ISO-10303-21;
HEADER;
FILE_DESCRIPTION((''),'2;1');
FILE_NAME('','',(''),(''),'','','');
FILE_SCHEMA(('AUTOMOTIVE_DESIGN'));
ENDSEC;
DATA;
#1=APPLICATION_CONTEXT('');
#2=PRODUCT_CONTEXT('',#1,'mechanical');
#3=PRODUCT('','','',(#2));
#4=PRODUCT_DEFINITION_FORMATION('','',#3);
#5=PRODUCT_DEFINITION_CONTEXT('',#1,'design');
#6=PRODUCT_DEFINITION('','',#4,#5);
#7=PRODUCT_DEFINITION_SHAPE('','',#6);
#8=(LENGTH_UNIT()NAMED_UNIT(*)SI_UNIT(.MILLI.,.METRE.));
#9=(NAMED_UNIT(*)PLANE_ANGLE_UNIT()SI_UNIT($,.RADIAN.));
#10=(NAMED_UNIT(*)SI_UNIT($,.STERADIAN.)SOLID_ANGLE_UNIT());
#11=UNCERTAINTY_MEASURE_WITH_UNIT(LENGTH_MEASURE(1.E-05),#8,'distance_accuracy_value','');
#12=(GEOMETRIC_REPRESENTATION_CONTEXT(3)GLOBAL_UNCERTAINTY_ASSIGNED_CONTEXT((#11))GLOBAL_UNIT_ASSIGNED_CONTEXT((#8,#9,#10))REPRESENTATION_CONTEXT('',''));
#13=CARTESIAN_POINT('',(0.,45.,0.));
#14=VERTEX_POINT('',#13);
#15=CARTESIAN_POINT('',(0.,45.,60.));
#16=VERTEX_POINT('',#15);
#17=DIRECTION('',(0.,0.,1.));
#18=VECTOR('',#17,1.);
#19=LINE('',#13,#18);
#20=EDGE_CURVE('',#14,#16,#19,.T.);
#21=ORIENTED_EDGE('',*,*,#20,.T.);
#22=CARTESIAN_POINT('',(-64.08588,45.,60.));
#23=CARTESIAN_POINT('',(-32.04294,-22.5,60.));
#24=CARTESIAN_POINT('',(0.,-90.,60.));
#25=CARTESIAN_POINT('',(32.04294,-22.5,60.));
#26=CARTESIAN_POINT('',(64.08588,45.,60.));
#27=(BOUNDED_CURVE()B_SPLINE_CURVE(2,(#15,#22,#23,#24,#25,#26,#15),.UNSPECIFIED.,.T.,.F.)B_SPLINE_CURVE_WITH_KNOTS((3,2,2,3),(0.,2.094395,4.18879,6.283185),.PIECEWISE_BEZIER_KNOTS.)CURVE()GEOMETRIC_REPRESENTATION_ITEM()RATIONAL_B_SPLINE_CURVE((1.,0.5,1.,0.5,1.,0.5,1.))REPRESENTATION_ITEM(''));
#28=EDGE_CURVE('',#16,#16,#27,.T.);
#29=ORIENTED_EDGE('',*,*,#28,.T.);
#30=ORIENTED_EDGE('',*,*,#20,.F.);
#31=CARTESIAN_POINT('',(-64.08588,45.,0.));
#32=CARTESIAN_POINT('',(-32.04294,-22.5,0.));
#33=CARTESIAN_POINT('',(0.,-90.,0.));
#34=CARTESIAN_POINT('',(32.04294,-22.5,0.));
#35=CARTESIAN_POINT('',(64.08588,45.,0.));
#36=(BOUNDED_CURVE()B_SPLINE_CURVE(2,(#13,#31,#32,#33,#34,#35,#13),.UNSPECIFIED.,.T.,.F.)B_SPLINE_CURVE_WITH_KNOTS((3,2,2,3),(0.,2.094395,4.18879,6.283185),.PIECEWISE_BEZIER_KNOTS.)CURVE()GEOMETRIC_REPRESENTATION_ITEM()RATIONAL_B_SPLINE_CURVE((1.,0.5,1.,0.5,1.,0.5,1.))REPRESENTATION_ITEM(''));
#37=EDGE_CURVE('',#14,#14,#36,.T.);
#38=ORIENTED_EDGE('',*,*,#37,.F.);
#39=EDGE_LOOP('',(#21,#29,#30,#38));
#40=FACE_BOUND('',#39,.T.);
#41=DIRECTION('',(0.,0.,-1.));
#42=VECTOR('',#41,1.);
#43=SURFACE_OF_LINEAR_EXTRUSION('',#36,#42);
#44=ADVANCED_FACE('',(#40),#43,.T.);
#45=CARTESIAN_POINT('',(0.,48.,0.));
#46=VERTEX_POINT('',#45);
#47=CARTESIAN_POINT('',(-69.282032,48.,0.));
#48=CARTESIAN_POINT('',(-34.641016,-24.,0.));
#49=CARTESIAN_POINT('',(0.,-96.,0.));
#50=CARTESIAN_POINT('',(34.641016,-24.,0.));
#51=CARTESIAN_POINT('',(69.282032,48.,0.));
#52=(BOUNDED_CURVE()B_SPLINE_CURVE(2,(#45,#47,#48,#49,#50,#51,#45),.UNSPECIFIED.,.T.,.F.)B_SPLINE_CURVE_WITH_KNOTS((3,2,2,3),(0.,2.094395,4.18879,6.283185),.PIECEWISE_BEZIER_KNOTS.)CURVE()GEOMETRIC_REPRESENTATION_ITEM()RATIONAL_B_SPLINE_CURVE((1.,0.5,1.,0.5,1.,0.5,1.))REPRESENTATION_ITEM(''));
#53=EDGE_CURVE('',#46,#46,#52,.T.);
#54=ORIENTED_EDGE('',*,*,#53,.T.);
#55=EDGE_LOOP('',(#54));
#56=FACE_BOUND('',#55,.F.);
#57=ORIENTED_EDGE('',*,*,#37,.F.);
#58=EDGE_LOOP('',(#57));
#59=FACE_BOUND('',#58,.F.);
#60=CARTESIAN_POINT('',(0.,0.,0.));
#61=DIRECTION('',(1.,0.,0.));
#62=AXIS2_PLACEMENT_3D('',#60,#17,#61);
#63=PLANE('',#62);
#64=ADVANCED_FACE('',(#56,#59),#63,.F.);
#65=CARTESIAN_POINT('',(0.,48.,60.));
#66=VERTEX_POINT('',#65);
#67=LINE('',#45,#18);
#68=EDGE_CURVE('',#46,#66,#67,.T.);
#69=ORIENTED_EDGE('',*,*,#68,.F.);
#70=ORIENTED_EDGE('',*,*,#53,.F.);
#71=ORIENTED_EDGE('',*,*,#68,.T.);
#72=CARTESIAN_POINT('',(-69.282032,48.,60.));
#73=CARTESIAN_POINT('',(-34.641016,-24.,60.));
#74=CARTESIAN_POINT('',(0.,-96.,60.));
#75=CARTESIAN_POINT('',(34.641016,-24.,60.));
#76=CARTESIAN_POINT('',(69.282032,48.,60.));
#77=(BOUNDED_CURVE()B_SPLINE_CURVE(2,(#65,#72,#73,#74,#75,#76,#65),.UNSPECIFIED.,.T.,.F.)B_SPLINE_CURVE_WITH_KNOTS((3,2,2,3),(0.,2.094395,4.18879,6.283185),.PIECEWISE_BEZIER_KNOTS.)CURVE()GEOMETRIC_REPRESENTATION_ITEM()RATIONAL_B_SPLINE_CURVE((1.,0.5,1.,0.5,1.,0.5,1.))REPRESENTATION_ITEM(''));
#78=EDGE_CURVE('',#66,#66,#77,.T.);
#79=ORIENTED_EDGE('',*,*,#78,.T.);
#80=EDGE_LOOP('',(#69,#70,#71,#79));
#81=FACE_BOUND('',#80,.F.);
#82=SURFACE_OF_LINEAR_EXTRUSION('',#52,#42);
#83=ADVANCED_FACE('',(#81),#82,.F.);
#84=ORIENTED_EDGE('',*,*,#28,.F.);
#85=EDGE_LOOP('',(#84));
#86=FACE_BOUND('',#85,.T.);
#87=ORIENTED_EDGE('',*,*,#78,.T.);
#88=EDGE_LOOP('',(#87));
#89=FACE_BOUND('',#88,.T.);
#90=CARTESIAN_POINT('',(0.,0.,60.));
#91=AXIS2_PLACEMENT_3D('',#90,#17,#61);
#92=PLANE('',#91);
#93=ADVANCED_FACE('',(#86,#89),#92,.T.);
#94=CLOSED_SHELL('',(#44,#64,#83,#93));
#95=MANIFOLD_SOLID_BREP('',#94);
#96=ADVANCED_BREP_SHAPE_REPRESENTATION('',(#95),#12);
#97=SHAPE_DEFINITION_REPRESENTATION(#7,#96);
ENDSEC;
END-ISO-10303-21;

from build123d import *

# Parameters (mm, degrees)
PAD_DEPTH = 60


with BuildPart() as part:
    # Sketch → Pad (new body)
    with BuildSketch(Plane.XY):
        with BuildLine():
            add(Edge.make_bspline(
                [(0, 48), (-69.282032, 48), (-34.641016, -24), (0, -96), (34.641016, -24), (69.282032, 48), (0, 48)],
                knots=[0, 0, 0, 2.094395, 2.094395, 4.18879, 4.18879, 6.283185, 6.283185, 6.283185], degree=2, weights=[1, 0.5, 1, 0.5, 1, 0.5, 1]))
        make_face()
        with BuildLine():
            add(Edge.make_bspline(
                [(0, 45), (-64.08588, 45), (-32.04294, -22.5), (0, -90), (32.04294, -22.5), (64.08588, 45), (0, 45)],
                knots=[0, 0, 0, 2.094395, 2.094395, 4.18879, 4.18879, 6.283185, 6.283185, 6.283185], degree=2, weights=[1, 0.5, 1, 0.5, 1, 0.5, 1]))
        make_face(mode=Mode.SUBTRACT)
    extrude(amount=PAD_DEPTH)


solid = part.part
